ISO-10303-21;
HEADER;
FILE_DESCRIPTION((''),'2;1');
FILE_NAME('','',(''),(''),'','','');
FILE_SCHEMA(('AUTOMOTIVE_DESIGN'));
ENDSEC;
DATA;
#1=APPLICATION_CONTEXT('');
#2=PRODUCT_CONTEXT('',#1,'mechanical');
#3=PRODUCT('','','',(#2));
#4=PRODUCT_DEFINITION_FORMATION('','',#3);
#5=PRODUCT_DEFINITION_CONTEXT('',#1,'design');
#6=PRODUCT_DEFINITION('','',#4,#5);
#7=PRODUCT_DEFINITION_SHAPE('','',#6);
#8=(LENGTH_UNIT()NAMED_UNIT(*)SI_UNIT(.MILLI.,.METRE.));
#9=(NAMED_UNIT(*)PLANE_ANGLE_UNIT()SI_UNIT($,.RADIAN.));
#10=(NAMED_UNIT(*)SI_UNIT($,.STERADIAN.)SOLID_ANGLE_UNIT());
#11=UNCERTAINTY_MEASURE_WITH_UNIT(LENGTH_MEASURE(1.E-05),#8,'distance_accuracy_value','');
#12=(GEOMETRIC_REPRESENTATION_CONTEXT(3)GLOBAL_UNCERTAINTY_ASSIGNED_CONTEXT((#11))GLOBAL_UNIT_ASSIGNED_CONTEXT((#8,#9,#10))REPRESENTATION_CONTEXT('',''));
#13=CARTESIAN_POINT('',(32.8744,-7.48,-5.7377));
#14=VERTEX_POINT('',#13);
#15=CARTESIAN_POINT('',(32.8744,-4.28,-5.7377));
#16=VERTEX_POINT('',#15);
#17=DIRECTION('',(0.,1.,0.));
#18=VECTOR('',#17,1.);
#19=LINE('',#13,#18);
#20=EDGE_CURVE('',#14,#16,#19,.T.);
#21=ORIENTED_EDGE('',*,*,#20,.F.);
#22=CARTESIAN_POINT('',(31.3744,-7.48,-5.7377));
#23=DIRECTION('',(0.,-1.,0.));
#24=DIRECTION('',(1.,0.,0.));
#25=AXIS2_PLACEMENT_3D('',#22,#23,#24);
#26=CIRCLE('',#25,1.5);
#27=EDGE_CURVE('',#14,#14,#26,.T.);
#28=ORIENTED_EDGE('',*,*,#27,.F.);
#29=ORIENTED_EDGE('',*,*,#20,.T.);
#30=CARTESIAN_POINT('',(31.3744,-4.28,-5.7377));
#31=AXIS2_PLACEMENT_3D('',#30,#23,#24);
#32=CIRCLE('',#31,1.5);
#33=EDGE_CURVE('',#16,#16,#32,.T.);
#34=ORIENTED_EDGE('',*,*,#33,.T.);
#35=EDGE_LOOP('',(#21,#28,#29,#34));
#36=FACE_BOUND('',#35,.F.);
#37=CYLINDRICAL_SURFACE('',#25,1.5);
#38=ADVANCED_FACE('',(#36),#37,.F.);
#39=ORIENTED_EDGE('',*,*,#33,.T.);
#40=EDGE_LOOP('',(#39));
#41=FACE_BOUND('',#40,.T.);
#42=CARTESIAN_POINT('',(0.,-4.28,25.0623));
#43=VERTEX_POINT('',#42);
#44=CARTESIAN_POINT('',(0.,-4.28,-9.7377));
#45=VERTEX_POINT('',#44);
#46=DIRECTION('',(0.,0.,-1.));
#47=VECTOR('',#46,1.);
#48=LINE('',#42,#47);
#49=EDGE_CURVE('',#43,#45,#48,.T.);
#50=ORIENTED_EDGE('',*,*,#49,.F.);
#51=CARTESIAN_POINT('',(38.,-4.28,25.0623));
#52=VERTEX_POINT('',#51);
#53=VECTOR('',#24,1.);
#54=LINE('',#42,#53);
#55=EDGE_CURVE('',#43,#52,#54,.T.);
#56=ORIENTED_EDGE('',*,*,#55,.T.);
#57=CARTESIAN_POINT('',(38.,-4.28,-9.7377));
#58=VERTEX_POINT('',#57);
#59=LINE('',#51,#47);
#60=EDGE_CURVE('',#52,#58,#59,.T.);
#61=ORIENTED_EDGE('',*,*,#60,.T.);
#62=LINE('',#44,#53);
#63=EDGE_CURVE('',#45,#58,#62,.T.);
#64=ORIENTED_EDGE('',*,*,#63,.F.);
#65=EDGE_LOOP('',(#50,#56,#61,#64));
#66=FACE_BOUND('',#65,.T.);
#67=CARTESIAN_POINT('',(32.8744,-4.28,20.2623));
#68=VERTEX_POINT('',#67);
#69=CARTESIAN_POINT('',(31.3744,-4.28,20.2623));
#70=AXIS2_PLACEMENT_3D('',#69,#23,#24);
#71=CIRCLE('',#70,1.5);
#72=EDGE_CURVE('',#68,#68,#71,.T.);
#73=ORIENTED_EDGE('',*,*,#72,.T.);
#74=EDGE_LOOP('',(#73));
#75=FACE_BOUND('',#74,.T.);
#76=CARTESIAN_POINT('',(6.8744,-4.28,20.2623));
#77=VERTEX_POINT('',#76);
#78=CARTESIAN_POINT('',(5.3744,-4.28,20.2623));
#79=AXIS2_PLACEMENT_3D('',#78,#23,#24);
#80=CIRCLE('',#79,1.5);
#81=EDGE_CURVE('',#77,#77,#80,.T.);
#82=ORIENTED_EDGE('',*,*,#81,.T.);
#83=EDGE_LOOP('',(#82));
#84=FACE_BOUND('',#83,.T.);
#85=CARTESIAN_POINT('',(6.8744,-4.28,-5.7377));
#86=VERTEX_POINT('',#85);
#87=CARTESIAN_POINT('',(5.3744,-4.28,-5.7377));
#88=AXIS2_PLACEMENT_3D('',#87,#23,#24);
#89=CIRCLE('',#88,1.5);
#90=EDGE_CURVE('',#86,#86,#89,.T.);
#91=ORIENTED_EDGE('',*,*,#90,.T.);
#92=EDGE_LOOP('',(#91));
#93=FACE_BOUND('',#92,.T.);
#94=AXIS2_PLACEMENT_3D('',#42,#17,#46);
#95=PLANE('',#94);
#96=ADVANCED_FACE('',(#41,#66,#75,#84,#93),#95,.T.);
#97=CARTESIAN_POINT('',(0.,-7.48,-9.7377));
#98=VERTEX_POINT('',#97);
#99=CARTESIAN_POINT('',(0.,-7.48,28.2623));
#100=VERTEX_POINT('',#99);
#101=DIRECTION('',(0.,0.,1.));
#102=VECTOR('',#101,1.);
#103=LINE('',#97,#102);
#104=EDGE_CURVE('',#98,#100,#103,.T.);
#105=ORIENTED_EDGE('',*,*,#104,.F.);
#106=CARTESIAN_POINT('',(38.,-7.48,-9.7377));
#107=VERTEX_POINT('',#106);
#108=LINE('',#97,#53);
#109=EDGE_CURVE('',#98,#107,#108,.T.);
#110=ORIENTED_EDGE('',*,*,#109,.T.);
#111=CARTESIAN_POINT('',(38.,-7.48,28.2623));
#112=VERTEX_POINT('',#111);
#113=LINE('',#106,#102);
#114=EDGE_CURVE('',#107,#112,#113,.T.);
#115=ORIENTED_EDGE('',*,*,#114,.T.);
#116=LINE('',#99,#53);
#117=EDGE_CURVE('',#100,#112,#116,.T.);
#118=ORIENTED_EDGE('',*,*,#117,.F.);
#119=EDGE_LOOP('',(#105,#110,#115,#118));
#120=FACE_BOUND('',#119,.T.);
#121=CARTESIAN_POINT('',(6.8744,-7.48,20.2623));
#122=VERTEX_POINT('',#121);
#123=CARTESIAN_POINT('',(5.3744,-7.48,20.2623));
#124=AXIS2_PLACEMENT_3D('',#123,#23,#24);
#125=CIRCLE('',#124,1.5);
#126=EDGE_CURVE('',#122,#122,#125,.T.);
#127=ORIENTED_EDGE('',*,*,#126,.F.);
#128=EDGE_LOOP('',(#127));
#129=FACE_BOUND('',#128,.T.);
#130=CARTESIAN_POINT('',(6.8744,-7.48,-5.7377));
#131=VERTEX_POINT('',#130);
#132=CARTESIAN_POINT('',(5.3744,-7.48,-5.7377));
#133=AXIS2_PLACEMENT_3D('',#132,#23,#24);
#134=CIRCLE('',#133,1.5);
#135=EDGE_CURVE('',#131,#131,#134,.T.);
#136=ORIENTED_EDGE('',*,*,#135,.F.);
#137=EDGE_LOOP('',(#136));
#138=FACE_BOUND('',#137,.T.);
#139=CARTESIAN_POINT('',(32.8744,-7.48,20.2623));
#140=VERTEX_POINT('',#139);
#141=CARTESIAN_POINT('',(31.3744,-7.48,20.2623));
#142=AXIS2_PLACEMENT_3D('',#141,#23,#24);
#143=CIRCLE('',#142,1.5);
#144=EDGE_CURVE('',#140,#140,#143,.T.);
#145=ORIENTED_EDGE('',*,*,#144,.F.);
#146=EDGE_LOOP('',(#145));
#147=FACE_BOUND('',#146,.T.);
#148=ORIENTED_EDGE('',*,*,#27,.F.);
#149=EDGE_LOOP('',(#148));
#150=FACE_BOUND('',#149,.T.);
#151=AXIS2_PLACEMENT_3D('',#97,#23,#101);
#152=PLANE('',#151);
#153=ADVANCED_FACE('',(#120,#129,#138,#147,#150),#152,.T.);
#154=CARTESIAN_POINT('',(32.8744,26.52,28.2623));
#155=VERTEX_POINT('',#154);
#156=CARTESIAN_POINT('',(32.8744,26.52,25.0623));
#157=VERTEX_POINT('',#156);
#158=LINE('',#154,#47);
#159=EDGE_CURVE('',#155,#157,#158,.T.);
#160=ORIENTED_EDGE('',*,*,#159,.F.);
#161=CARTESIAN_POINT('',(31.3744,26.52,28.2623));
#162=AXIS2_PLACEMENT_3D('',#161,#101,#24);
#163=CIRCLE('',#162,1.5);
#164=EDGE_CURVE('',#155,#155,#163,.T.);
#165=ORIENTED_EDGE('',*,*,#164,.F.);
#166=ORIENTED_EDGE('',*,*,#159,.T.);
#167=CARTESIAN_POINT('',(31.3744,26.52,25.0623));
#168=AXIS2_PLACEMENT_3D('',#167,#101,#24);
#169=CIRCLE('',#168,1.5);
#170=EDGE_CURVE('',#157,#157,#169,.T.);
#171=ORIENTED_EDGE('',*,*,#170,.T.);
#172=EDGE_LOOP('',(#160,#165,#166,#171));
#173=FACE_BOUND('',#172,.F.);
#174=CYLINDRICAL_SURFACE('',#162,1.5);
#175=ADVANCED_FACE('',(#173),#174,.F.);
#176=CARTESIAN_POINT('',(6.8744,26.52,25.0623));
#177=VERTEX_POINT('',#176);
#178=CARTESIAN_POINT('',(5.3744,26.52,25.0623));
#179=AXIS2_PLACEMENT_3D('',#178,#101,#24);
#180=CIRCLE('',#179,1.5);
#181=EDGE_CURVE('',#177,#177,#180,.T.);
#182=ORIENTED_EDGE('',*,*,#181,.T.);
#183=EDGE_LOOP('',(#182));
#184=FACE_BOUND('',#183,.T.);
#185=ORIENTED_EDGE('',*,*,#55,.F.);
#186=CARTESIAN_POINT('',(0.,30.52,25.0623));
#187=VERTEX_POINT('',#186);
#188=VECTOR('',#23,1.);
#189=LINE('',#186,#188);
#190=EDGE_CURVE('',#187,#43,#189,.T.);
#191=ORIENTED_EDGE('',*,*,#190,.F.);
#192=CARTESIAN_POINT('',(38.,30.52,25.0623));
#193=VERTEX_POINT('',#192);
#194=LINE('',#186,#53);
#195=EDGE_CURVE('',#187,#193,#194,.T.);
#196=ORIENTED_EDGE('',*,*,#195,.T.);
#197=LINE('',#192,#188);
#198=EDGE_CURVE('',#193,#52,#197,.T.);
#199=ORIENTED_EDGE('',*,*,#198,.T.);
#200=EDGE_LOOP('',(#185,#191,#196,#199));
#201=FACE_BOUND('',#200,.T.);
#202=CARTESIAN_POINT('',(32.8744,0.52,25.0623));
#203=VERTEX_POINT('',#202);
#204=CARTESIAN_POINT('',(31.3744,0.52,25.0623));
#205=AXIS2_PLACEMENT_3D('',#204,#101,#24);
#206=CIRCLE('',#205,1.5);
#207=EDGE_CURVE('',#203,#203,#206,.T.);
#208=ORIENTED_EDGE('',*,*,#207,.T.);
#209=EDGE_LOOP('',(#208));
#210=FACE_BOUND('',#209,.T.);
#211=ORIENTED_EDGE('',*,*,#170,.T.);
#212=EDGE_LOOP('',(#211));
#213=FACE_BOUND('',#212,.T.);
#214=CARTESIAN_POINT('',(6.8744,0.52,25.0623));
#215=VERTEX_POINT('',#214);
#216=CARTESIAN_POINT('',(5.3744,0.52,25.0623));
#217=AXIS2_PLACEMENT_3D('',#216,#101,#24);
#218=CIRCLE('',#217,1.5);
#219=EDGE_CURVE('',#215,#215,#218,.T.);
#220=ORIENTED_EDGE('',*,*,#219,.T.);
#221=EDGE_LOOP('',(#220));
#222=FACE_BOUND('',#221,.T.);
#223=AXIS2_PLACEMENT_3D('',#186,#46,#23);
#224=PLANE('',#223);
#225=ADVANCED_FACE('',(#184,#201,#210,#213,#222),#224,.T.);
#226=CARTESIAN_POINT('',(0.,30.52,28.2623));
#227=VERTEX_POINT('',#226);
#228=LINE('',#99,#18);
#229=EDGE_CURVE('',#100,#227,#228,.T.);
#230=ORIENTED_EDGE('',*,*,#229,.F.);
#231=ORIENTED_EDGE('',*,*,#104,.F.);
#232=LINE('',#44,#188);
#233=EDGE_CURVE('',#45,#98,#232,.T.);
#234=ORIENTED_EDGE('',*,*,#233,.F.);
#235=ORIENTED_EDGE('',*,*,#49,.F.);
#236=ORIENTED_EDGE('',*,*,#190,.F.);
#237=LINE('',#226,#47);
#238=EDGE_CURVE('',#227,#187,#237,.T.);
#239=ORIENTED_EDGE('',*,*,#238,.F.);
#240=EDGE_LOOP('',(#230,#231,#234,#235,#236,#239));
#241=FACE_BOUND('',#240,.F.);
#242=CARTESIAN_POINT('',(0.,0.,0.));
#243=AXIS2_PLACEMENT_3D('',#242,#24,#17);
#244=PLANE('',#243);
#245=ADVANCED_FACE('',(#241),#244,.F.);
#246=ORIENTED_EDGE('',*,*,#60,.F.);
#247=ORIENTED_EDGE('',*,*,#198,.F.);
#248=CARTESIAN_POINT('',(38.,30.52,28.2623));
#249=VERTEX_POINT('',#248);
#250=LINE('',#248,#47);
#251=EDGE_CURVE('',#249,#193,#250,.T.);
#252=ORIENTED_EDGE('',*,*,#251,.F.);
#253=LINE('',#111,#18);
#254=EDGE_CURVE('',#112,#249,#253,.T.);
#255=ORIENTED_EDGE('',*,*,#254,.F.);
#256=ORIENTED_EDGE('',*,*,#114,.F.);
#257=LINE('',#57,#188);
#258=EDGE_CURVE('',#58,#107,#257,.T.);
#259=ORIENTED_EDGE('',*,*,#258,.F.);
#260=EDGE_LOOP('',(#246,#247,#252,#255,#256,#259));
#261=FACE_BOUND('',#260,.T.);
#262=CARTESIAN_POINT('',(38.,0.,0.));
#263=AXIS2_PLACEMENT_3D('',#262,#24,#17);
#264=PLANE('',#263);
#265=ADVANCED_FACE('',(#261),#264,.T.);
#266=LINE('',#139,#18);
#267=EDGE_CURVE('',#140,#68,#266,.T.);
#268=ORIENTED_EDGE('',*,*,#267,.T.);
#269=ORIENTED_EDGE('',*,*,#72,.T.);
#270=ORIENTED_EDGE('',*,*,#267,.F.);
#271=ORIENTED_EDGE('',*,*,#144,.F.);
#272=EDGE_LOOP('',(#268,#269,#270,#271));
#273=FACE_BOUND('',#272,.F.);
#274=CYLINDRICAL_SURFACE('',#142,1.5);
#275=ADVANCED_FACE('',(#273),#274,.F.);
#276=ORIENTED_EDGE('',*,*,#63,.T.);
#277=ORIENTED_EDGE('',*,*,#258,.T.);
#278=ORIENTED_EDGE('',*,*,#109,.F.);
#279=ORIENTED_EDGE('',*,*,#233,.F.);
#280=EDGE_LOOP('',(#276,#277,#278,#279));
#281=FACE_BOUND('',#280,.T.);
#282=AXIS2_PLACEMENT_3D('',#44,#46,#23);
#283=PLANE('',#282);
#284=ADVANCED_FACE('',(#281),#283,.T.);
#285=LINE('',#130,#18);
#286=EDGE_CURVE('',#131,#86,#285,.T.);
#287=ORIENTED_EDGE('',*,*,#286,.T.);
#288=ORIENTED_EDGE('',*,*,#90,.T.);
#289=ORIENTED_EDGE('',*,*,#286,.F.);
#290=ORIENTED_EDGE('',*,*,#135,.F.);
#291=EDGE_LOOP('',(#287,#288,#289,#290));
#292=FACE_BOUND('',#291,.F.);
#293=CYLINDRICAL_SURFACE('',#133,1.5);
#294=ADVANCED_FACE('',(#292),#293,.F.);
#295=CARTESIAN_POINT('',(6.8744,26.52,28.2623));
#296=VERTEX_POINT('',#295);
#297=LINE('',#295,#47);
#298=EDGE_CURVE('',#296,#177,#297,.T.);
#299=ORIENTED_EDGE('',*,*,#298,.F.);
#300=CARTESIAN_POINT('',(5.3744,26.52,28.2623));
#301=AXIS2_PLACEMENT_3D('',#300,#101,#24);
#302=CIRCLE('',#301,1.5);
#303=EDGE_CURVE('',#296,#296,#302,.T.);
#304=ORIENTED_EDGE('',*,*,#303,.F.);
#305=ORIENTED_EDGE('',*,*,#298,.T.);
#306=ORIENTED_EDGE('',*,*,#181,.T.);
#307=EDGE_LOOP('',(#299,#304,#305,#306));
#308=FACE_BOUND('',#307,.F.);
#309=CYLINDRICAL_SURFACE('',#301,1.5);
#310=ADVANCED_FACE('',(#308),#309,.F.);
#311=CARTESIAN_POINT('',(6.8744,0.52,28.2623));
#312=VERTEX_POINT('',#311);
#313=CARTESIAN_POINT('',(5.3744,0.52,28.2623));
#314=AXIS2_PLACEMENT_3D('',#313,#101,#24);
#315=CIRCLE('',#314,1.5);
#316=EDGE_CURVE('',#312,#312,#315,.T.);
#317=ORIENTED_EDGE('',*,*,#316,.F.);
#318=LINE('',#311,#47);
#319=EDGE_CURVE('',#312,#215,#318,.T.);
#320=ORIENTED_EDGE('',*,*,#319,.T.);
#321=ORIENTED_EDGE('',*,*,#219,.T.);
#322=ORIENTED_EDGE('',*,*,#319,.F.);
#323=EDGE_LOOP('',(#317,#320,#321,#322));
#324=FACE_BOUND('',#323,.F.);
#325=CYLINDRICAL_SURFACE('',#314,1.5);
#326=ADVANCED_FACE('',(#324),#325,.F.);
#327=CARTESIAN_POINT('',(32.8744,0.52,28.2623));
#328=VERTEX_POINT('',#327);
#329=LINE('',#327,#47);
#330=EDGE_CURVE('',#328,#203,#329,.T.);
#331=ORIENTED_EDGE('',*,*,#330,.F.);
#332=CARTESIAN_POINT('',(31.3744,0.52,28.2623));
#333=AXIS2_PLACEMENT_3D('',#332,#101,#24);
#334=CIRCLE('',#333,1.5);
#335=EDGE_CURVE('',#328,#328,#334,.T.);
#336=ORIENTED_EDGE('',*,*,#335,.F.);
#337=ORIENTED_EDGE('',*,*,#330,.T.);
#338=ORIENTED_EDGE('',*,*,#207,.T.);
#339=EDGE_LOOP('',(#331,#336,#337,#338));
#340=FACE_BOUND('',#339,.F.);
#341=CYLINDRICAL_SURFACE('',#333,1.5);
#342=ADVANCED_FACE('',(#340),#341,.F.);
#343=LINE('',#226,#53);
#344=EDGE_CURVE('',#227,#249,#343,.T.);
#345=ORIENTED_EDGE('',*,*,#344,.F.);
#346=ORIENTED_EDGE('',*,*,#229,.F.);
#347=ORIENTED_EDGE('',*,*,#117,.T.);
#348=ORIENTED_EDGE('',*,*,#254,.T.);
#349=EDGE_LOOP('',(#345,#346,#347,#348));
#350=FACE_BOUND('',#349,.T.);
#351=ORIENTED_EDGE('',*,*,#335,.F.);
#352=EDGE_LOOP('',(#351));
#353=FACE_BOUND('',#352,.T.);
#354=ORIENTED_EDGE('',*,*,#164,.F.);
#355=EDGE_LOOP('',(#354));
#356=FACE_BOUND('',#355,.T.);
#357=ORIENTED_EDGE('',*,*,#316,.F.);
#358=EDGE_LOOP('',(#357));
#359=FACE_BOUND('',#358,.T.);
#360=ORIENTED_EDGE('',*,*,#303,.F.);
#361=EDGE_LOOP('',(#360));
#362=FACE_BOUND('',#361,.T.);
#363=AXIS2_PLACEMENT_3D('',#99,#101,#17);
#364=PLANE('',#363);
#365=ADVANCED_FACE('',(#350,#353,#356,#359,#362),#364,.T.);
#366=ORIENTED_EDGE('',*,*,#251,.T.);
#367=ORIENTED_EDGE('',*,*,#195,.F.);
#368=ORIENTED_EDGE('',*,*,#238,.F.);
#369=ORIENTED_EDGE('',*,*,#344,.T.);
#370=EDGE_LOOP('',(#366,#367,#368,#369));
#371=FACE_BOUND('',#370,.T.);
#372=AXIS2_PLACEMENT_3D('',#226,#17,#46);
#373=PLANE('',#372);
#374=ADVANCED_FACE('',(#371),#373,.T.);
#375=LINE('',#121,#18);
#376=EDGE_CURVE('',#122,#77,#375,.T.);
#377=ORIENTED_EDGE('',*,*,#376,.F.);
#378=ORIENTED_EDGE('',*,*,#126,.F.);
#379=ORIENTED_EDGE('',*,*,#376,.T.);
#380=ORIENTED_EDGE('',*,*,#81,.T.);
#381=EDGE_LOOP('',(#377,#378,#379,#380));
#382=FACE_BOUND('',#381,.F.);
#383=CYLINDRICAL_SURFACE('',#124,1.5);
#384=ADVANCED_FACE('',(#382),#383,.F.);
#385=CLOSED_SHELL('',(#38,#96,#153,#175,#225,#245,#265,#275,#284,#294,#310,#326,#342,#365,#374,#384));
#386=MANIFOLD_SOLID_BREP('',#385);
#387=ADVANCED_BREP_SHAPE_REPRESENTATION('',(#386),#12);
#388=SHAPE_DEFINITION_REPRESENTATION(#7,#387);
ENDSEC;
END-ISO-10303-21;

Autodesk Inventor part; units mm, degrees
ref_plane "YZ Plane" through (0, 0, 0) normal (1, 0, 0) x (0, 1, 0)
ref_plane "XZ Plane" through (0, 0, 0) normal (0, 1, 0) x (-1, 0, 0)
ref_plane "XY Plane" through (0, 0, 0) normal (0, 0, 1) x (1, 0, 0)
sketch "Sketch1" plane through (0, 0, 0) normal (1, 0, 0) x (0, 1, 0)
  line L0 (-7.48, 28.2623) -> (30.52, 28.2623)
  line L1 (30.52, 28.2623) -> (30.52, 25.0623)
  line L2 (30.52, 25.0623) -> (-4.28, 25.0623)
  line L3 (-4.28, 25.0623) -> (-4.28, -9.7377)
  line L4 (-4.28, -9.7377) -> (-7.48, -9.7377)
  line L5 (-7.48, -9.7377) -> (-7.48, 28.2623)
  dimension "d0" = 3.2
  dimension "d1" = 38
  dimension "d2" = 3.2
  dimension "d3" = 38
extrude "Extrusion1" add sketch "Sketch1" along normal blind 38
sketch "Sketch2" plane through (0, -7.48, -9.7377) normal (0, -1, 0) x (1, 0, 0)
  circle A0 centre (5.3744, 30) radius 1.5
  line L0 (0, 0) -> (0, 38) projected
  line L1 (0, 0) -> (38, 0) projected
  line L2 (38, 38) -> (38, 0) projected
  line L3 (0, 38) -> (38, 38) projected
  circle A1 centre (5.3744, 4) radius 1.5
  circle A2 centre (31.3744, 30) radius 1.5
  circle A3 centre (31.3744, 4) radius 1.5
  dimension "d13" = 26
  dimension "d16" = 26
  dimension "d19" = 8
  dimension "d20" = 3
extrude "Extrusion2" cut sketch "Sketch2" against normal up to next contours A0 | A1 | A2 | A3
sketch "Sketch3" plane through (0, -7.48, 28.2623) normal (0, 0, 1) x (1, 0, 0)
  circle A0 centre (5.3744, 34) radius 1.5
  line L0 (0, 0) -> (0, 38)
  line L1 (0, 0) -> (38, 0)
  line L2 (38, 38) -> (38, 0)
  line L3 (0, 38) -> (38, 38)
  circle A1 centre (5.3744, 8) radius 1.5
  circle A2 centre (31.3744, 34) radius 1.5
  circle A3 centre (31.3744, 8) radius 1.5
  point P0 (0, 7.48)
  dimension "d27" = 26
  dimension "d28" = 26
  dimension "d30" = 3
  dimension "d31" = 8
extrude "Extrusion3" cut sketch "Sketch3" against normal up to next contours A0 | A1 | A2 | A3
properties part number "Y_carriage_90_bearing_mount"
